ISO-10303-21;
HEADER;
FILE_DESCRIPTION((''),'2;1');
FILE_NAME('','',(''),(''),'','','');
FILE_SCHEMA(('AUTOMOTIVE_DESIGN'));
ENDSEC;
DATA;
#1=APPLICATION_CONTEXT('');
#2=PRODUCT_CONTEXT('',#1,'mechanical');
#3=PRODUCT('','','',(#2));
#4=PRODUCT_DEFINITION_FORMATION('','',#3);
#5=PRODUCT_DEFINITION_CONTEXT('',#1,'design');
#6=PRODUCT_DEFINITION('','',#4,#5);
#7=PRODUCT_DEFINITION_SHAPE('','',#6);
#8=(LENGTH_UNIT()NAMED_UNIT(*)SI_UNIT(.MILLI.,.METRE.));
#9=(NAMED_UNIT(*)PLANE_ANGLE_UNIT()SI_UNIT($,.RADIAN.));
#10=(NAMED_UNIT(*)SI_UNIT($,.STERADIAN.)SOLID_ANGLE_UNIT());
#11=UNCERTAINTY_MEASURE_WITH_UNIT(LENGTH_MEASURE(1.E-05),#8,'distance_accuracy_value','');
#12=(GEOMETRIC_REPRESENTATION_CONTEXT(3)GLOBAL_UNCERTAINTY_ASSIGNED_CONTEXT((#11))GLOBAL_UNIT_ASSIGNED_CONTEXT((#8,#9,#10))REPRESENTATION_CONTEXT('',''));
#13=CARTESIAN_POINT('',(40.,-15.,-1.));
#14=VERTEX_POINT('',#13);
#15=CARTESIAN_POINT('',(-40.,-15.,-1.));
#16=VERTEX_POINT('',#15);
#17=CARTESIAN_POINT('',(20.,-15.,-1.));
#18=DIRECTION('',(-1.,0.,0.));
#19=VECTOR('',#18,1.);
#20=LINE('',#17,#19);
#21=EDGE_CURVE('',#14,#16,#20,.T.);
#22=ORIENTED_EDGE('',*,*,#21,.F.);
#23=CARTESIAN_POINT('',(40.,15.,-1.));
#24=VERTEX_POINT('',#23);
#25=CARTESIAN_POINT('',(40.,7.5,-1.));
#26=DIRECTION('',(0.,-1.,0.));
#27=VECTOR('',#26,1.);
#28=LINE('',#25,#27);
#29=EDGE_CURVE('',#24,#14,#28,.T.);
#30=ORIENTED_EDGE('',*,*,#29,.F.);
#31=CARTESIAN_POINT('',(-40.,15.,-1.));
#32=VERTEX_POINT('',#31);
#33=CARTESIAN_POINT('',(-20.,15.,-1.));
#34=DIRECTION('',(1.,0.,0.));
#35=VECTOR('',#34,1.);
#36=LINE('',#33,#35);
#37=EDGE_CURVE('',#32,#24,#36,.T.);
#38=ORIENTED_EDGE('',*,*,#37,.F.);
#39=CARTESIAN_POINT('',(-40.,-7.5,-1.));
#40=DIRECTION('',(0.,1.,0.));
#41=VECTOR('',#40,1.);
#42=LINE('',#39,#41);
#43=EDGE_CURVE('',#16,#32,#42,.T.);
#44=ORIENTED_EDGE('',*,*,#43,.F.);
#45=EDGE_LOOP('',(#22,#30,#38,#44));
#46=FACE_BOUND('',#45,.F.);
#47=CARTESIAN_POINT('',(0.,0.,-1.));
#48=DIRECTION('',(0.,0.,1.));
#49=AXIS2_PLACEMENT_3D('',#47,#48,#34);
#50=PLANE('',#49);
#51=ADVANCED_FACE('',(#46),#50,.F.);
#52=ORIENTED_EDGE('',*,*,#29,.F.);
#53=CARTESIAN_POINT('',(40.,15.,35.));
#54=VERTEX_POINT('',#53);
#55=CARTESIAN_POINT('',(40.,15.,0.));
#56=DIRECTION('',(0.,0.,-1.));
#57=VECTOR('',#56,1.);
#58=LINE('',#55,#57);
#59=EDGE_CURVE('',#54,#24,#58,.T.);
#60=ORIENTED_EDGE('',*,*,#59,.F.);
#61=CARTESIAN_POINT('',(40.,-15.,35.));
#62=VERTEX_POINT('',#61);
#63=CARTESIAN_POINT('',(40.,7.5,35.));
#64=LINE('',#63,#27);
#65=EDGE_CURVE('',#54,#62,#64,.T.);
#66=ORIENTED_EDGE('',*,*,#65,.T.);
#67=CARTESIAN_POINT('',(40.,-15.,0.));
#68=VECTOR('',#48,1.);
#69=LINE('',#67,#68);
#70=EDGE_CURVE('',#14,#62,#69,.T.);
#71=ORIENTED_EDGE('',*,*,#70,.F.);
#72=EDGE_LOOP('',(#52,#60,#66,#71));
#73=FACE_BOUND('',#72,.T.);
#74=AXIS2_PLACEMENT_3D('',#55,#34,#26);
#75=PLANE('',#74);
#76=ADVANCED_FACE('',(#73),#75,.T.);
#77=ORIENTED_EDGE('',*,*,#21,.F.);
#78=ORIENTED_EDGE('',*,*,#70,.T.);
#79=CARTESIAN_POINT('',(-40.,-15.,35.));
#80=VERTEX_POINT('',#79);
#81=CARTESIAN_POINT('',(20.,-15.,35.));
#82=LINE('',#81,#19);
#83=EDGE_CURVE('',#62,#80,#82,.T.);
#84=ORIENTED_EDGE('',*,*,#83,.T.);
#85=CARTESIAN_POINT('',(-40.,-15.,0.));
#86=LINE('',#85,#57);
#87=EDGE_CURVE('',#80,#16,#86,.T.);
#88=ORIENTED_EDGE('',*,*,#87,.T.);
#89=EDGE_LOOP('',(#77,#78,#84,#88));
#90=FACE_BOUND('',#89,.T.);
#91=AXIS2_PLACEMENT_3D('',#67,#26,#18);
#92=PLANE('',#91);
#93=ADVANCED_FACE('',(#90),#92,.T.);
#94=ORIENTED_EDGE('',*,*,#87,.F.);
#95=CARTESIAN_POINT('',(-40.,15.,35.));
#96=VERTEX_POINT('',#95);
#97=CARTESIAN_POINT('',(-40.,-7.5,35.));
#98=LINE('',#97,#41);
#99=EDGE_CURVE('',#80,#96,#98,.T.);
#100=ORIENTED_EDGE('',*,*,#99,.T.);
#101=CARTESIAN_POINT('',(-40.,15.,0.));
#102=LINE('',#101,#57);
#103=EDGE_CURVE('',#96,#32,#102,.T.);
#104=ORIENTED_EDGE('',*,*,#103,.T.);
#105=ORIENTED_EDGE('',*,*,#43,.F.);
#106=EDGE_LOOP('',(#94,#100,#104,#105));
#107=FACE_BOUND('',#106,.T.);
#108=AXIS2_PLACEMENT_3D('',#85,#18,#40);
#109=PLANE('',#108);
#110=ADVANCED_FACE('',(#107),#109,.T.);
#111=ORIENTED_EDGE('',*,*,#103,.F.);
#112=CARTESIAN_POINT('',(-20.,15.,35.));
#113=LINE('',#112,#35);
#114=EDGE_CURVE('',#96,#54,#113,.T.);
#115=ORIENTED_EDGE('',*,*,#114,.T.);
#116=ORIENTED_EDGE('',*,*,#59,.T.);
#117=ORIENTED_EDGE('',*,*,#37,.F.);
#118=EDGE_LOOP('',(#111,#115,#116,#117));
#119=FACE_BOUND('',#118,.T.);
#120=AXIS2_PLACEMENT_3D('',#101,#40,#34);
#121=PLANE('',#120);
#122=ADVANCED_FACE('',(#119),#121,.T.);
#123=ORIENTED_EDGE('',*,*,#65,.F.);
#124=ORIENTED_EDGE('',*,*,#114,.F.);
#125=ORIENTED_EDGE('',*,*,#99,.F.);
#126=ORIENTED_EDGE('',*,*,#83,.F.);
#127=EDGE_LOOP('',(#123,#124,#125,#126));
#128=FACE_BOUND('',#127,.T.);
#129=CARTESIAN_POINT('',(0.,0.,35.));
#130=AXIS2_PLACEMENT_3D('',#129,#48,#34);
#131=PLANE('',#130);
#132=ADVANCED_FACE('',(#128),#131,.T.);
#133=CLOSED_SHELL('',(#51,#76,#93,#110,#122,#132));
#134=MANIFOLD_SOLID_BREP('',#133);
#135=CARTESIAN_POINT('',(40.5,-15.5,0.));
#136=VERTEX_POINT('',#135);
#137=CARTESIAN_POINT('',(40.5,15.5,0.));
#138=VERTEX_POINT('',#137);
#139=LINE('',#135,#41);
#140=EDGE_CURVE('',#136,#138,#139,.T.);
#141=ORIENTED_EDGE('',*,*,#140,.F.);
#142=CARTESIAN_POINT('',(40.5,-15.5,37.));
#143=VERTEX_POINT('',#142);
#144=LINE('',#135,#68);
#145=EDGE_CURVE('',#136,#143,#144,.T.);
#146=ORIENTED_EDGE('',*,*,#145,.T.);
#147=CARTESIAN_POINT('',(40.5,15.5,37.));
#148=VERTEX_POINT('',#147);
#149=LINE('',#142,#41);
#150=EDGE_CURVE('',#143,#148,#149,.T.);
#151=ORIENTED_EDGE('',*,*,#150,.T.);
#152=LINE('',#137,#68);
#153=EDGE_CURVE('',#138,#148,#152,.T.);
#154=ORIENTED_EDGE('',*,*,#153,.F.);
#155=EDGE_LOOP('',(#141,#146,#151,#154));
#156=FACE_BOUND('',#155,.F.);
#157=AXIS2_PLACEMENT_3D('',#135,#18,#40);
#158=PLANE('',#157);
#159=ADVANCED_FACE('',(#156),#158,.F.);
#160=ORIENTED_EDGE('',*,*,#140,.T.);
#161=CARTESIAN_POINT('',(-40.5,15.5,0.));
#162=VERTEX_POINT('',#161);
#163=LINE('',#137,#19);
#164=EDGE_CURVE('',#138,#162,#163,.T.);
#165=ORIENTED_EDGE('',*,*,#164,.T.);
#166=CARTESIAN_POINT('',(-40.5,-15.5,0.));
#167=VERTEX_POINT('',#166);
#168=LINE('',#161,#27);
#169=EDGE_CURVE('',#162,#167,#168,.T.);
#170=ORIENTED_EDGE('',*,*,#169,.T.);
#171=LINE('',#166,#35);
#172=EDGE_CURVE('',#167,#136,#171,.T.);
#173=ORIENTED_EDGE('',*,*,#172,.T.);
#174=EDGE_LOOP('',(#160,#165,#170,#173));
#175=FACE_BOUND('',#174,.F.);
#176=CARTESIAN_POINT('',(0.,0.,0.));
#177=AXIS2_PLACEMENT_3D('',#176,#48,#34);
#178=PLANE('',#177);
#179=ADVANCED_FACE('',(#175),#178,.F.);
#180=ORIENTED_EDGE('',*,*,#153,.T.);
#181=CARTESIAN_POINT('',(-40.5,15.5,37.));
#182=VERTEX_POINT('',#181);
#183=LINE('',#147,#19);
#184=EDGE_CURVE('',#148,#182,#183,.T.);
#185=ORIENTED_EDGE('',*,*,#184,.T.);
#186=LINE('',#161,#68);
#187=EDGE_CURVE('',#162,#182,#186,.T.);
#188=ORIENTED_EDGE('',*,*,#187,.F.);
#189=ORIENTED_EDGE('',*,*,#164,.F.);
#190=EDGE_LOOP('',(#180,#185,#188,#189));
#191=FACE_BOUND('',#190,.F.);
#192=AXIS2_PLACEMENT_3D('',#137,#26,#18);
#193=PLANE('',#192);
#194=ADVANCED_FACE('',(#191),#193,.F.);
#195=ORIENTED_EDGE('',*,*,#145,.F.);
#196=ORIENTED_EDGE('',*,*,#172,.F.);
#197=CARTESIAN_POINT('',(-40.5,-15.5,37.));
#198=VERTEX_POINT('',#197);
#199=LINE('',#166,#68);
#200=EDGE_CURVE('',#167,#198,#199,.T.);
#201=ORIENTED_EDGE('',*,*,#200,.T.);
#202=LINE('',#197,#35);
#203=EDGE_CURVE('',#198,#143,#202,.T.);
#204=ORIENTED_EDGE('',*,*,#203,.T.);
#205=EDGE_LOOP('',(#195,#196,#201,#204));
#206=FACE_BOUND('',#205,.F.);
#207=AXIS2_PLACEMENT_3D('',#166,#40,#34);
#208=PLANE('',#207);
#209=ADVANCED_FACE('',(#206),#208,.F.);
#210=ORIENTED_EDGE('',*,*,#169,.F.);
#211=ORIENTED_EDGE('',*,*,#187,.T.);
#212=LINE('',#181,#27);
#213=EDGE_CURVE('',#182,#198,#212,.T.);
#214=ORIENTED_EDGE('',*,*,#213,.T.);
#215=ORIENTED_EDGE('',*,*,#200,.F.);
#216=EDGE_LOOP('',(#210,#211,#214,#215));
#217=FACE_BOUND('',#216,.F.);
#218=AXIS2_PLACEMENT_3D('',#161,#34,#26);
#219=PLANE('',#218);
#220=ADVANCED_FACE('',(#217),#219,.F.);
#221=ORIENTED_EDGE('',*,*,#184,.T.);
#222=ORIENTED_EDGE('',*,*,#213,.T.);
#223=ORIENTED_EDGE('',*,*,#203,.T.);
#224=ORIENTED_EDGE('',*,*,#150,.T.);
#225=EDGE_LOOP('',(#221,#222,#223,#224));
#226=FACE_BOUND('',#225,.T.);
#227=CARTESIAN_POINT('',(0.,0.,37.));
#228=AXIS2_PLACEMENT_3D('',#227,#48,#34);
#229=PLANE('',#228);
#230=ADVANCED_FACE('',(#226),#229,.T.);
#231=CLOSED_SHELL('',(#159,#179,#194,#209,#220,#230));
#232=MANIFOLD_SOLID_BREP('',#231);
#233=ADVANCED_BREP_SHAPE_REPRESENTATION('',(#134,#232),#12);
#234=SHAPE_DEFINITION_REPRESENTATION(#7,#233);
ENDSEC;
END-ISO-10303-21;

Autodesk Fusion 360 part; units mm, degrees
sketch "Contact Patch" plane through (0, 0, 0) normal (0, 0, 1) x (1, 0, 0)
  line L0 (50, -20) -> (-50, -20)
  line L1 (-50, -20) -> (-50, 20)
  line L2 (-50, 20) -> (50, 20)
  line L3 (50, 20) -> (50, -20)
  line L4 (50, -20) -> (-50, 20) construction
  line L5 (-50, -20) -> (50, 20) construction
  dimension "d3" = 100
  dimension "d4" = 40
sketch "Tenon" plane through (0, 0, 0) normal (0, 0, 1) x (1, 0, 0)
  line L0 (40, -15) -> (-40, -15)
  line L1 (-40, -15) -> (-40, 15)
  line L2 (-40, 15) -> (40, 15)
  line L3 (40, 15) -> (40, -15)
  line L4 (40, -15) -> (-40, 15) construction
  line L5 (-40, -15) -> (40, 15) construction
  line L6 (-50, -20) -> (-50, 20)
  line L7 (-50, 20) -> (50, 20)
  dimension "d7" = 10
  dimension "d8" = 5
extrude "Extrude1" add sketch "Tenon" along normal blind 35 makes body 1
move_face "OffsetFaces1" offset 1 1 faces at (13.3333, 5, 0) on bodies 1
sketch "Sketch3" plane through (0, 0, 0) normal (0, 0, 1) x (1, 0, 0)
  line L0 (40, 15) -> (-40, 15)
  line L1 (-40, 15) -> (-40, -15)
  line L2 (-40, -15) -> (40, -15)
  line L3 (40, -15) -> (40, 15)
  line L4 (-40.5, -15.5) -> (40.5, -15.5)
  line L5 (40.5, -15.5) -> (40.5, 15.5)
  line L6 (40.5, 15.5) -> (-40.5, 15.5)
  line L7 (-40.5, 15.5) -> (-40.5, -15.5)
  dimension "d14" = 0.5
extrude "Extrude2" add sketch "Sketch3" along normal blind 37 separate body contours L0 L1 L2 L3 | L4 L5 L6 L7 makes body 2
equation "Length = 100 mm"
equation "Width = 40 mm"
equation "d3 = Length"
equation "d4 = Width"
equation "EndOffset = 10 mm"
equation "SideOffset = 5 mm"
equation "d7 = EndOffset"
equation "d8 = SideOffset"
equation "Tenon_length = 35 mm"
equation "d10 = Tenon_length"
equation "Clearance = 0.5 mm"
equation "d14 = Clearance"
equation "Bottom_gap = 2 mm"
equation "Mortise_length = Tenon_length + Bottom_gap"
equation "d17 = Mortise_length"
